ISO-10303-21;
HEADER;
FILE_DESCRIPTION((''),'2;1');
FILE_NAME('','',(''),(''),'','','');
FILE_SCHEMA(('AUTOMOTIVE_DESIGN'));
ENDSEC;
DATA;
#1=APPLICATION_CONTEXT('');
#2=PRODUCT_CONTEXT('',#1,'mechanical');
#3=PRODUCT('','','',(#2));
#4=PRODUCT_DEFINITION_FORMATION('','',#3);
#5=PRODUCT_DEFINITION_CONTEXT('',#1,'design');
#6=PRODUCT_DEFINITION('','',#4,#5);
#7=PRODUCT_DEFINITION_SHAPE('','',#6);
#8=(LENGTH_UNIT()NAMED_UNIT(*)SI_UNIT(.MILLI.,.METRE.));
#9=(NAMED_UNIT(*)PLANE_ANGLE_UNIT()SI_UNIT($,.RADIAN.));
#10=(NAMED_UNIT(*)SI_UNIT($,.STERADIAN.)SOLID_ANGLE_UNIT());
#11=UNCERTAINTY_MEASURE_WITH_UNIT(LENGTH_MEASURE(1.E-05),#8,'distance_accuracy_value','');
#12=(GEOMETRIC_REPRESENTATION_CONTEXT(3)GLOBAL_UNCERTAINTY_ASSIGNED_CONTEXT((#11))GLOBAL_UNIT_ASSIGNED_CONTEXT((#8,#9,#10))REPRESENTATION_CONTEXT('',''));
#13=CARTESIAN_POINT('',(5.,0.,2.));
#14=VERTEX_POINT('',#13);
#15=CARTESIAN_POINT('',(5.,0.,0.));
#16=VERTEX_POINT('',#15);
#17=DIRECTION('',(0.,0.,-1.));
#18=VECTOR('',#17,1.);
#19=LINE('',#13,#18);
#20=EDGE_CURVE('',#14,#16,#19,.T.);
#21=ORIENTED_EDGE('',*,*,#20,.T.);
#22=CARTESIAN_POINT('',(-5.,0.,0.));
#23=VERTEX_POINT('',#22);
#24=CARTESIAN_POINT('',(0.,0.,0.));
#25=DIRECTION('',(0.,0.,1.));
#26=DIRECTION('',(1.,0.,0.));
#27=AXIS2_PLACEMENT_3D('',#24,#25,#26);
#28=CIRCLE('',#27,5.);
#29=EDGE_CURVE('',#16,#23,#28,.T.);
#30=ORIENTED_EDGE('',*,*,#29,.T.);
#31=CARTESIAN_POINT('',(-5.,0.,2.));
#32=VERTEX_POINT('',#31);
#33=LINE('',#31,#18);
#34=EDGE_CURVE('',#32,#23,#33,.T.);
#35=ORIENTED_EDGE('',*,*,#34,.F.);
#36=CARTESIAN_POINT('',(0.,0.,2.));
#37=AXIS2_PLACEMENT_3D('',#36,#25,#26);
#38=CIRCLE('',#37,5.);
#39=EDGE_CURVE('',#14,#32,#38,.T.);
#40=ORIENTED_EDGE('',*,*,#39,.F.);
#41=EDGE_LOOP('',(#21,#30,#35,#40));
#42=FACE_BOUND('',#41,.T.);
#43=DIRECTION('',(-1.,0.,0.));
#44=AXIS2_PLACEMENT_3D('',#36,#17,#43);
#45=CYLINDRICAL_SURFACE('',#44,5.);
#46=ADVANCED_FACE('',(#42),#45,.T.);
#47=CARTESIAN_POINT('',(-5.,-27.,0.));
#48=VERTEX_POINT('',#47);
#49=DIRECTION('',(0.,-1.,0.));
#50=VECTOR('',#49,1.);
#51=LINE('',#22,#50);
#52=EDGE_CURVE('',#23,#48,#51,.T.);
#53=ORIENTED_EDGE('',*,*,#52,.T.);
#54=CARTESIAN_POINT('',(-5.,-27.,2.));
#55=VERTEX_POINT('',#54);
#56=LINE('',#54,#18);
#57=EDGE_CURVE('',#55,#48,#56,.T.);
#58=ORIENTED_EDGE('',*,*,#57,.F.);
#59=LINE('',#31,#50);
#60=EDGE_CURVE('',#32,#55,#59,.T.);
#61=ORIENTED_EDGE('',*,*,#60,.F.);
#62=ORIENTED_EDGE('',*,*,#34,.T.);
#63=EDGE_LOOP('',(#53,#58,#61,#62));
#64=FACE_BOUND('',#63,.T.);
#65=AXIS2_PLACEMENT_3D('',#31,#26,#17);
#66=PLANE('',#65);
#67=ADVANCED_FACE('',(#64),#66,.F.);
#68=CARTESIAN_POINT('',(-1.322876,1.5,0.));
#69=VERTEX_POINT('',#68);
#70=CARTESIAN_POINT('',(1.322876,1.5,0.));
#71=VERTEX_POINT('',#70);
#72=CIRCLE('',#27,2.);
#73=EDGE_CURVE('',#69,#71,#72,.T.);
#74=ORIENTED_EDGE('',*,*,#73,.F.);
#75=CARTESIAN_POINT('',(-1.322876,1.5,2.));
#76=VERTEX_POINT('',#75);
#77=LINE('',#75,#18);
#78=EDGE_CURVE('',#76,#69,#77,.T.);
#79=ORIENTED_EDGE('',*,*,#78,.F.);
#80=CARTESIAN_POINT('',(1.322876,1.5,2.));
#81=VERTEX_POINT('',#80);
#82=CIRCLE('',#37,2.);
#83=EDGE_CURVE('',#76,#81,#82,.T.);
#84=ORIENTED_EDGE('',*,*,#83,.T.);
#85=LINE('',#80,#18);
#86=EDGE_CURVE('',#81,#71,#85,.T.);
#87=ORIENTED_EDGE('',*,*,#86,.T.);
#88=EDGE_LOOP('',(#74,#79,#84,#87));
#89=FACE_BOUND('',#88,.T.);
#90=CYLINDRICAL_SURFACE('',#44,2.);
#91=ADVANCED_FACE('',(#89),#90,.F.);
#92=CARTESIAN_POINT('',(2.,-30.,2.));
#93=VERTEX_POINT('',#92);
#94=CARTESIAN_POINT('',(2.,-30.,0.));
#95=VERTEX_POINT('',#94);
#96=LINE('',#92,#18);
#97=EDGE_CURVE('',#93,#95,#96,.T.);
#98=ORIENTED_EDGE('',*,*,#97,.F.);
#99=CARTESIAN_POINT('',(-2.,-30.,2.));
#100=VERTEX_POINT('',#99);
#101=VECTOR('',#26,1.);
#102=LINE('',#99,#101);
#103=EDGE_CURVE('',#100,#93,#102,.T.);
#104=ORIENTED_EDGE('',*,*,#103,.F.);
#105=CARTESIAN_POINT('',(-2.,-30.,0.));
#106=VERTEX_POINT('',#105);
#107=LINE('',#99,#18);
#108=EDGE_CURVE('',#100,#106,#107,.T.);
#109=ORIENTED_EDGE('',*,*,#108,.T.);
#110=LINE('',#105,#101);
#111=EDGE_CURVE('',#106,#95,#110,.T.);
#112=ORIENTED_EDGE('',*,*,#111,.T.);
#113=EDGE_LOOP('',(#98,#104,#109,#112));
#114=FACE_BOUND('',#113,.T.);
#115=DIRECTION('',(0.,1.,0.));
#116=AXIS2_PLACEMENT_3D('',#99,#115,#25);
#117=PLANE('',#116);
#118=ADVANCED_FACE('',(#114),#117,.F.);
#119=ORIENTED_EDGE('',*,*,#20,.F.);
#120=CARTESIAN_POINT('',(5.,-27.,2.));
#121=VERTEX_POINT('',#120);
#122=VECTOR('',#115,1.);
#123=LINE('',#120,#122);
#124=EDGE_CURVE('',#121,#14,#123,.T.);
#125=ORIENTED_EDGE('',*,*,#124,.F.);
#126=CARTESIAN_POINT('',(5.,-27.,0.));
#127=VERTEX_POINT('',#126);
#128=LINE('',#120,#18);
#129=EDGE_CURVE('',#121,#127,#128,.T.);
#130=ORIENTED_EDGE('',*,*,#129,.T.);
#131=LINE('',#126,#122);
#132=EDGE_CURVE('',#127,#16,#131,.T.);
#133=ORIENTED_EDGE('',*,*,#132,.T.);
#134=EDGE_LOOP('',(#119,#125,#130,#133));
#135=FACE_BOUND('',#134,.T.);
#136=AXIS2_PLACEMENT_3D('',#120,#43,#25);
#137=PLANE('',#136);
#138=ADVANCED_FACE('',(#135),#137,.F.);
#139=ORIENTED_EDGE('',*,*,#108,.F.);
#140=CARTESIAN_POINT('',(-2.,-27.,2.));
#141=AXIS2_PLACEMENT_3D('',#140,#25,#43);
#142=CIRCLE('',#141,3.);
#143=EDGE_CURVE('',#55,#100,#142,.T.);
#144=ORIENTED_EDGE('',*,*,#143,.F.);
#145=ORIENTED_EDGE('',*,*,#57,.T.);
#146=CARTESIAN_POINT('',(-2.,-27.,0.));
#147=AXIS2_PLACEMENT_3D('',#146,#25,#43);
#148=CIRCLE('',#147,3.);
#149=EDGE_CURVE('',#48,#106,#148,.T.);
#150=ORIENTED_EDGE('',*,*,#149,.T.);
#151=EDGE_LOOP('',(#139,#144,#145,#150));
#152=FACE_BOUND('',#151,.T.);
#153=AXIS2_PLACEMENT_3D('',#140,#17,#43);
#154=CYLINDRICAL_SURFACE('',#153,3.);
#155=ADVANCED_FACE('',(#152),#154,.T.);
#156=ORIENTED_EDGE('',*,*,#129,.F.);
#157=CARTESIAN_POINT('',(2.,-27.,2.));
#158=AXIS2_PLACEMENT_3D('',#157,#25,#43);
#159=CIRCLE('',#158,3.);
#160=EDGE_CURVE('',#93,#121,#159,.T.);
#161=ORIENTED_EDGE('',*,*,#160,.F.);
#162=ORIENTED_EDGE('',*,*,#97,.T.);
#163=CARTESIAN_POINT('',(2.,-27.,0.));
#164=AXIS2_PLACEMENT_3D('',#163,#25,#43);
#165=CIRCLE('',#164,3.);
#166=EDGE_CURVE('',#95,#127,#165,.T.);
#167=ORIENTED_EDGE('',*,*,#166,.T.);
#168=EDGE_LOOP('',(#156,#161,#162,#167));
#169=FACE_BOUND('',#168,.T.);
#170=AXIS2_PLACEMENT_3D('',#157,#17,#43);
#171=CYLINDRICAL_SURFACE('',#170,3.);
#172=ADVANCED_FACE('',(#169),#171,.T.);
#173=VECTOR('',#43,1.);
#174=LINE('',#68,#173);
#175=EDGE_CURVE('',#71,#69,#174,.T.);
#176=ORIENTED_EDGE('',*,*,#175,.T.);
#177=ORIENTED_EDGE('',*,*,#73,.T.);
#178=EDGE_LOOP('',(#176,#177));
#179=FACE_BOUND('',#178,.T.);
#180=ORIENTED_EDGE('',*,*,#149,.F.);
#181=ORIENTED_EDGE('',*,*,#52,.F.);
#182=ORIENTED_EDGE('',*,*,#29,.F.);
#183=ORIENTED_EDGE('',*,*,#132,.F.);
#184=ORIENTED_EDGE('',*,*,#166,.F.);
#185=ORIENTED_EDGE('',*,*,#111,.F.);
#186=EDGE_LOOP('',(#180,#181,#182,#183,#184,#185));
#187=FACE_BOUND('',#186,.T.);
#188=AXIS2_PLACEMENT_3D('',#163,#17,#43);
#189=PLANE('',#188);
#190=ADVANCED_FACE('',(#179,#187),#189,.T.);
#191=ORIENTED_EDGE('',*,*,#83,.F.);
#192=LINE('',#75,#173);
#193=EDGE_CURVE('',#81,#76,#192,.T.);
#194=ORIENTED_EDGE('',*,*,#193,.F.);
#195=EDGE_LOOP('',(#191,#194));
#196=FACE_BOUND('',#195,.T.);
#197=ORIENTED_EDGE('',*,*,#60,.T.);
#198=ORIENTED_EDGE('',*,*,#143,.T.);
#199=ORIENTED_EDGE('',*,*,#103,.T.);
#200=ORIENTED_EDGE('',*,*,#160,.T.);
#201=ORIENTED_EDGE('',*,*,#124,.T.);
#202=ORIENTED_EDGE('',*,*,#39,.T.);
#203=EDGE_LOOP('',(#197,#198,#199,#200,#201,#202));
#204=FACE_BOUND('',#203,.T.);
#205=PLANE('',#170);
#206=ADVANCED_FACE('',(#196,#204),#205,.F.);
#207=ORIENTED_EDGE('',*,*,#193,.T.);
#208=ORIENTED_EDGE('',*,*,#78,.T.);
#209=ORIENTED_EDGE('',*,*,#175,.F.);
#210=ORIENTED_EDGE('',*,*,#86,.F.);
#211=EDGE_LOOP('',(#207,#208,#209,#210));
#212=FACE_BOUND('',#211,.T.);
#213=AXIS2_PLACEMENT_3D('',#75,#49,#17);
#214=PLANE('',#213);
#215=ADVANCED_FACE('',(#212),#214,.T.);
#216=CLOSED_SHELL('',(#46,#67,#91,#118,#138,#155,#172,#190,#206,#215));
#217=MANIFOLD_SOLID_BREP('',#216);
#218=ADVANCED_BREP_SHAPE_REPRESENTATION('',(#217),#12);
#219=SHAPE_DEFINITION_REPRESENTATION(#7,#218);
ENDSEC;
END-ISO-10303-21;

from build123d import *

# Parameters (mm, degrees)
BOSS_EXTRUDE1_DEPTH = 2


with BuildPart() as part:
    # Sketch1 → Boss-Extrude1 (new body)
    with BuildSketch(Plane.XY):
        with BuildLine():
            Line((-5, 0), (-5, -27))
            ThreePointArc((-5, -27), (-4.121320344, -29.121320344), (-2, -30))
            Line((-2, -30), (2, -30))
            ThreePointArc((2, -30), (4.121320344, -29.121320344), (5, -27))
            Line((5, -27), (5, 0))
            ThreePointArc((5, 0), (0, 5), (-5, 0))
        make_face()
        with BuildLine():
            Line((-1.322875656, 1.5), (1.322875656, 1.5))
            ThreePointArc((1.322875656, 1.5), (0, -2), (-1.322875656, 1.5))
        make_face(mode=Mode.SUBTRACT)
    extrude(amount=BOSS_EXTRUDE1_DEPTH)


solid = part.part
